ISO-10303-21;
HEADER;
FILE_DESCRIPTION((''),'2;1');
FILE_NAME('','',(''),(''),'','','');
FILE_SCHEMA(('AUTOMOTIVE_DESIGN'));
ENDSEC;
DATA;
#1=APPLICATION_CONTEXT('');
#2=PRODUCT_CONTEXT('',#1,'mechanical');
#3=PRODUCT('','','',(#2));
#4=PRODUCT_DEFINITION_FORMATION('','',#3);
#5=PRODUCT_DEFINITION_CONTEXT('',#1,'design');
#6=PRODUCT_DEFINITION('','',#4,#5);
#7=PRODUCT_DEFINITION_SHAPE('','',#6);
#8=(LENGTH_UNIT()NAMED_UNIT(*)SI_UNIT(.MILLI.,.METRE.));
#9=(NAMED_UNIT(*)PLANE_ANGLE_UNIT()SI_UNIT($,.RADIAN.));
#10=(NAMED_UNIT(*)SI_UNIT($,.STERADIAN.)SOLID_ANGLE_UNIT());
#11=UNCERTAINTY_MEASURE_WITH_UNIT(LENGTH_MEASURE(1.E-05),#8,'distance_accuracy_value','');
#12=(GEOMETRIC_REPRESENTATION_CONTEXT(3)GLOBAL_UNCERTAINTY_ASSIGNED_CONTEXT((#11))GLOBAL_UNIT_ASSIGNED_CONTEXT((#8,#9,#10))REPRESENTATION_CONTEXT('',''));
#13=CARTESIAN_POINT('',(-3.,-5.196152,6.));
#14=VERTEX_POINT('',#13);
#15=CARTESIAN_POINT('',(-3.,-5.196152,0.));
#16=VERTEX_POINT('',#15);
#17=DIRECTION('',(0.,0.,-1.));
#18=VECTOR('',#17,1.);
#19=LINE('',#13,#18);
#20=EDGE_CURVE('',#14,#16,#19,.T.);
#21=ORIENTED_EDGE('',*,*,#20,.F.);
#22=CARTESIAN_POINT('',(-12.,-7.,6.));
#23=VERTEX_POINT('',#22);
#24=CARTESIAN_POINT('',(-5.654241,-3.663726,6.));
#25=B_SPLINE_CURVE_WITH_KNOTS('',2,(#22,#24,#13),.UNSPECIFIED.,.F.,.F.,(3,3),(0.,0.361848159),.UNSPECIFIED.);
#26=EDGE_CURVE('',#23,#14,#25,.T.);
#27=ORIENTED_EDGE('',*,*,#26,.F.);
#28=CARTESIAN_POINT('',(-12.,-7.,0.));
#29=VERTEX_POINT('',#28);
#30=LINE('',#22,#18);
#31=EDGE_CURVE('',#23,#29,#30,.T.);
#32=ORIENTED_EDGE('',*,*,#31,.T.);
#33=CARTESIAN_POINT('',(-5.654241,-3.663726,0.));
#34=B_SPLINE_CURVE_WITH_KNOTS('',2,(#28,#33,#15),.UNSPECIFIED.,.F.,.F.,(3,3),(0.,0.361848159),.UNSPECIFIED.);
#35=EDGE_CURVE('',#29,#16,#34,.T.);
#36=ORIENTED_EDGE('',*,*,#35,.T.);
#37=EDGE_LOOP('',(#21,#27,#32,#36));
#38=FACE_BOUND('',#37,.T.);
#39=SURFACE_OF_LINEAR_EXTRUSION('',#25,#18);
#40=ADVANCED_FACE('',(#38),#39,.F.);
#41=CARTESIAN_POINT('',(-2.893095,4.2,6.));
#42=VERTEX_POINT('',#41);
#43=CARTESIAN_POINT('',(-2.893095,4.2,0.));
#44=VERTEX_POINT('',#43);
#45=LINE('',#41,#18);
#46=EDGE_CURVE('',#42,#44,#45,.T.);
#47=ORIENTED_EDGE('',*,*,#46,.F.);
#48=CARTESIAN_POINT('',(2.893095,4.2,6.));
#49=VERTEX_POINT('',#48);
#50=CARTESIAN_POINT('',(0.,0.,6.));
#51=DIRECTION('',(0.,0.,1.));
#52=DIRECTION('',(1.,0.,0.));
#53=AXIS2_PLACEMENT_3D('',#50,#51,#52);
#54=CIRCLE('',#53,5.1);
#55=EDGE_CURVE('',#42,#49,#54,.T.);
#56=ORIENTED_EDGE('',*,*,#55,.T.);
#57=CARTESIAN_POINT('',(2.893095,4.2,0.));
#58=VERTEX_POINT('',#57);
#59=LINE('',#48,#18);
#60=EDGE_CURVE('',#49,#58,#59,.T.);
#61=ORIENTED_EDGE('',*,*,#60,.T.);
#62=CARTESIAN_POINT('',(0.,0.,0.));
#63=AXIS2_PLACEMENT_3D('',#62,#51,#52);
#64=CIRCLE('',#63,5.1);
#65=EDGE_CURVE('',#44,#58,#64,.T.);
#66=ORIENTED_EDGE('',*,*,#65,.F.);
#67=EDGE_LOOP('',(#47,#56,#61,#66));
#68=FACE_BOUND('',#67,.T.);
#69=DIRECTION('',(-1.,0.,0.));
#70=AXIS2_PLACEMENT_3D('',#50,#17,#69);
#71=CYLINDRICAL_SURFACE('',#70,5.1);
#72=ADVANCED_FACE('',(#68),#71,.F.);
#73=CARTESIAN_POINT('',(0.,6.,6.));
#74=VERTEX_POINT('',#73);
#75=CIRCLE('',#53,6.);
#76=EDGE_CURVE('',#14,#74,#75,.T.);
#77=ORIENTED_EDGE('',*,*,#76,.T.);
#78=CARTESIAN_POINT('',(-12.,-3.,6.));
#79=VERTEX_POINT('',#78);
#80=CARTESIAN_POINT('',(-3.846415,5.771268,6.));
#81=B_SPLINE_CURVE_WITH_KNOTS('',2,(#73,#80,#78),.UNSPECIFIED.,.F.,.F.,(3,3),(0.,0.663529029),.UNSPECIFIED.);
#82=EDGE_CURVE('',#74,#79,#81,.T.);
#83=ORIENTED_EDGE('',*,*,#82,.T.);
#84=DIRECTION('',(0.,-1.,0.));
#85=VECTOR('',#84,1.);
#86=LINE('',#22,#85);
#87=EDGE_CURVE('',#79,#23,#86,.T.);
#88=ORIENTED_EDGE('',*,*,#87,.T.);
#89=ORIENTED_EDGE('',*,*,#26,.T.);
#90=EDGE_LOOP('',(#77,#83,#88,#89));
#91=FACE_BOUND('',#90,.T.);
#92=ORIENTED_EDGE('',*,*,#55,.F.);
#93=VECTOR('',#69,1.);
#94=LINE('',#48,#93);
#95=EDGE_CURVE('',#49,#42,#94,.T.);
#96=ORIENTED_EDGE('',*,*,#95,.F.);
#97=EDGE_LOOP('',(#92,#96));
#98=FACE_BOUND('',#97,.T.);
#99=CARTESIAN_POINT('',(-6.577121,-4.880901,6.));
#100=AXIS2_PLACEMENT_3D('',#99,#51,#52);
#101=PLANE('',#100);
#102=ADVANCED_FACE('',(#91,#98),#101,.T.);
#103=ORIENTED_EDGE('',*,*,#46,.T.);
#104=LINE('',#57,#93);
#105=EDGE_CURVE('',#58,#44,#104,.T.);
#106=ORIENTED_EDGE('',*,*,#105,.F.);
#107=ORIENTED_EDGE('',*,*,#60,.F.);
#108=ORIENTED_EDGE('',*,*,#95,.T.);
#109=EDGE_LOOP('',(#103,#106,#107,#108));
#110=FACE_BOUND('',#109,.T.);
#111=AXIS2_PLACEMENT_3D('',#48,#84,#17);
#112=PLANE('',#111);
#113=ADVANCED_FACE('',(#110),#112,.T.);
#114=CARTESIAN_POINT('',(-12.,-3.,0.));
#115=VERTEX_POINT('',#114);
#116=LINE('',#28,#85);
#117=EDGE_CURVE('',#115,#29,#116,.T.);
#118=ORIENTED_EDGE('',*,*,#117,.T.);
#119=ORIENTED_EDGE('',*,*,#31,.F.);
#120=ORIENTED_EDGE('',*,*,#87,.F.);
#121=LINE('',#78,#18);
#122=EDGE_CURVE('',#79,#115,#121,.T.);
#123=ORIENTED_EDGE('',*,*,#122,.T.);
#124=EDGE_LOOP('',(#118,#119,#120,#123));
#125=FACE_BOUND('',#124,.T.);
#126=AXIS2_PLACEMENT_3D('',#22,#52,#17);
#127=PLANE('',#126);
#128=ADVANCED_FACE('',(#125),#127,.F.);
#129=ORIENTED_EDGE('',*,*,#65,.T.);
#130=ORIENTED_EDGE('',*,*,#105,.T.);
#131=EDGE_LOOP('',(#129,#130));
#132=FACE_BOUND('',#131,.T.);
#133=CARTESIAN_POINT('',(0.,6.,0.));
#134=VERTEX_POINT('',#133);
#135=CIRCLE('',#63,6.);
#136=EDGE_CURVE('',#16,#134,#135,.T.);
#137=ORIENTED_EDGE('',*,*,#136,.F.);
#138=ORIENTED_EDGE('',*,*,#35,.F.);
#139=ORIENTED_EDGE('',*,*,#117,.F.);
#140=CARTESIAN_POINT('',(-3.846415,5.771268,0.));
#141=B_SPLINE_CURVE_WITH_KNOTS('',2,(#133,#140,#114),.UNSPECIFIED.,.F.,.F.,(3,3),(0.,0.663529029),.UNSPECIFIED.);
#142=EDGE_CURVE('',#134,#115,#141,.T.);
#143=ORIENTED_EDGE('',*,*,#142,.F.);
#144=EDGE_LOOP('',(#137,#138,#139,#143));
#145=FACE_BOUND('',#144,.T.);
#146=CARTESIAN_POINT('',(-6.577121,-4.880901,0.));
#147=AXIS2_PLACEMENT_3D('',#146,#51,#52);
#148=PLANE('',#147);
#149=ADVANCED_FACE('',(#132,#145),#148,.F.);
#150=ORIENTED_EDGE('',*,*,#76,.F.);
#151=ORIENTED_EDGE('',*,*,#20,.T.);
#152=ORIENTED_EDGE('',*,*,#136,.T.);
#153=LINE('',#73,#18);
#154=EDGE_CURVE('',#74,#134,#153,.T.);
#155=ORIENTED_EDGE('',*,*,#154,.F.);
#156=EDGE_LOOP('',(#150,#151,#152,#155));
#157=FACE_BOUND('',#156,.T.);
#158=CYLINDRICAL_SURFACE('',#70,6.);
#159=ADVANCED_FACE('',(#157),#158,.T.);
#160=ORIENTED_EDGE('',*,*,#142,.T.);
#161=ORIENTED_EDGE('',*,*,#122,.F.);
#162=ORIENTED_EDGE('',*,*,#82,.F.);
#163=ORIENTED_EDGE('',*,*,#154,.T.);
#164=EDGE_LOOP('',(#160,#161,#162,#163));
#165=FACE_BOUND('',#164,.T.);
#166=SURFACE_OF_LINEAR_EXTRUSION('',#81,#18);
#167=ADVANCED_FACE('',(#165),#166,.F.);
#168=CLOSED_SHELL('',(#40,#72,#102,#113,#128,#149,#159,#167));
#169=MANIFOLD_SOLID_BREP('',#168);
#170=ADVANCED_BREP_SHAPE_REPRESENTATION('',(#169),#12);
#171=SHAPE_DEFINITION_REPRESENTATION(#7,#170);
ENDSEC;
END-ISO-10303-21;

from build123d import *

# Parameters (mm, degrees)
AUFSATZ_LINEAR_AUSTRAGEN1_DEPTH = 6


with BuildPart() as part:
    # Skizze1 → Aufsatz-Linear austragen1 (new body)
    with BuildSketch(Plane.XY):
        with BuildLine():
            Line((-12, -7), (-12, -3))
            add(Edge.make_bspline(
                [(-12, -3), (-3.846414533, 5.771268296), (0, 6)],
                knots=[0, 0, 0, 0.663529029, 0.663529029, 0.663529029], degree=2))
            ThreePointArc((0, 6), (5.795554958, -1.552914271), (-3, -5.196152423))
            add(Edge.make_bspline(
                [(-12, -7), (-5.654241137, -3.663725588), (-3, -5.196152423)],
                knots=[0, 0, 0, 0.361848159, 0.361848159, 0.361848159], degree=2))
        make_face()
        with BuildLine():
            Line((2.893095228, 4.2), (-2.893095228, 4.2))
            ThreePointArc((-2.893095228, 4.2), (0, -5.1), (2.893095228, 4.2))
        make_face(mode=Mode.SUBTRACT)
    extrude(amount=AUFSATZ_LINEAR_AUSTRAGEN1_DEPTH)


solid = part.part
